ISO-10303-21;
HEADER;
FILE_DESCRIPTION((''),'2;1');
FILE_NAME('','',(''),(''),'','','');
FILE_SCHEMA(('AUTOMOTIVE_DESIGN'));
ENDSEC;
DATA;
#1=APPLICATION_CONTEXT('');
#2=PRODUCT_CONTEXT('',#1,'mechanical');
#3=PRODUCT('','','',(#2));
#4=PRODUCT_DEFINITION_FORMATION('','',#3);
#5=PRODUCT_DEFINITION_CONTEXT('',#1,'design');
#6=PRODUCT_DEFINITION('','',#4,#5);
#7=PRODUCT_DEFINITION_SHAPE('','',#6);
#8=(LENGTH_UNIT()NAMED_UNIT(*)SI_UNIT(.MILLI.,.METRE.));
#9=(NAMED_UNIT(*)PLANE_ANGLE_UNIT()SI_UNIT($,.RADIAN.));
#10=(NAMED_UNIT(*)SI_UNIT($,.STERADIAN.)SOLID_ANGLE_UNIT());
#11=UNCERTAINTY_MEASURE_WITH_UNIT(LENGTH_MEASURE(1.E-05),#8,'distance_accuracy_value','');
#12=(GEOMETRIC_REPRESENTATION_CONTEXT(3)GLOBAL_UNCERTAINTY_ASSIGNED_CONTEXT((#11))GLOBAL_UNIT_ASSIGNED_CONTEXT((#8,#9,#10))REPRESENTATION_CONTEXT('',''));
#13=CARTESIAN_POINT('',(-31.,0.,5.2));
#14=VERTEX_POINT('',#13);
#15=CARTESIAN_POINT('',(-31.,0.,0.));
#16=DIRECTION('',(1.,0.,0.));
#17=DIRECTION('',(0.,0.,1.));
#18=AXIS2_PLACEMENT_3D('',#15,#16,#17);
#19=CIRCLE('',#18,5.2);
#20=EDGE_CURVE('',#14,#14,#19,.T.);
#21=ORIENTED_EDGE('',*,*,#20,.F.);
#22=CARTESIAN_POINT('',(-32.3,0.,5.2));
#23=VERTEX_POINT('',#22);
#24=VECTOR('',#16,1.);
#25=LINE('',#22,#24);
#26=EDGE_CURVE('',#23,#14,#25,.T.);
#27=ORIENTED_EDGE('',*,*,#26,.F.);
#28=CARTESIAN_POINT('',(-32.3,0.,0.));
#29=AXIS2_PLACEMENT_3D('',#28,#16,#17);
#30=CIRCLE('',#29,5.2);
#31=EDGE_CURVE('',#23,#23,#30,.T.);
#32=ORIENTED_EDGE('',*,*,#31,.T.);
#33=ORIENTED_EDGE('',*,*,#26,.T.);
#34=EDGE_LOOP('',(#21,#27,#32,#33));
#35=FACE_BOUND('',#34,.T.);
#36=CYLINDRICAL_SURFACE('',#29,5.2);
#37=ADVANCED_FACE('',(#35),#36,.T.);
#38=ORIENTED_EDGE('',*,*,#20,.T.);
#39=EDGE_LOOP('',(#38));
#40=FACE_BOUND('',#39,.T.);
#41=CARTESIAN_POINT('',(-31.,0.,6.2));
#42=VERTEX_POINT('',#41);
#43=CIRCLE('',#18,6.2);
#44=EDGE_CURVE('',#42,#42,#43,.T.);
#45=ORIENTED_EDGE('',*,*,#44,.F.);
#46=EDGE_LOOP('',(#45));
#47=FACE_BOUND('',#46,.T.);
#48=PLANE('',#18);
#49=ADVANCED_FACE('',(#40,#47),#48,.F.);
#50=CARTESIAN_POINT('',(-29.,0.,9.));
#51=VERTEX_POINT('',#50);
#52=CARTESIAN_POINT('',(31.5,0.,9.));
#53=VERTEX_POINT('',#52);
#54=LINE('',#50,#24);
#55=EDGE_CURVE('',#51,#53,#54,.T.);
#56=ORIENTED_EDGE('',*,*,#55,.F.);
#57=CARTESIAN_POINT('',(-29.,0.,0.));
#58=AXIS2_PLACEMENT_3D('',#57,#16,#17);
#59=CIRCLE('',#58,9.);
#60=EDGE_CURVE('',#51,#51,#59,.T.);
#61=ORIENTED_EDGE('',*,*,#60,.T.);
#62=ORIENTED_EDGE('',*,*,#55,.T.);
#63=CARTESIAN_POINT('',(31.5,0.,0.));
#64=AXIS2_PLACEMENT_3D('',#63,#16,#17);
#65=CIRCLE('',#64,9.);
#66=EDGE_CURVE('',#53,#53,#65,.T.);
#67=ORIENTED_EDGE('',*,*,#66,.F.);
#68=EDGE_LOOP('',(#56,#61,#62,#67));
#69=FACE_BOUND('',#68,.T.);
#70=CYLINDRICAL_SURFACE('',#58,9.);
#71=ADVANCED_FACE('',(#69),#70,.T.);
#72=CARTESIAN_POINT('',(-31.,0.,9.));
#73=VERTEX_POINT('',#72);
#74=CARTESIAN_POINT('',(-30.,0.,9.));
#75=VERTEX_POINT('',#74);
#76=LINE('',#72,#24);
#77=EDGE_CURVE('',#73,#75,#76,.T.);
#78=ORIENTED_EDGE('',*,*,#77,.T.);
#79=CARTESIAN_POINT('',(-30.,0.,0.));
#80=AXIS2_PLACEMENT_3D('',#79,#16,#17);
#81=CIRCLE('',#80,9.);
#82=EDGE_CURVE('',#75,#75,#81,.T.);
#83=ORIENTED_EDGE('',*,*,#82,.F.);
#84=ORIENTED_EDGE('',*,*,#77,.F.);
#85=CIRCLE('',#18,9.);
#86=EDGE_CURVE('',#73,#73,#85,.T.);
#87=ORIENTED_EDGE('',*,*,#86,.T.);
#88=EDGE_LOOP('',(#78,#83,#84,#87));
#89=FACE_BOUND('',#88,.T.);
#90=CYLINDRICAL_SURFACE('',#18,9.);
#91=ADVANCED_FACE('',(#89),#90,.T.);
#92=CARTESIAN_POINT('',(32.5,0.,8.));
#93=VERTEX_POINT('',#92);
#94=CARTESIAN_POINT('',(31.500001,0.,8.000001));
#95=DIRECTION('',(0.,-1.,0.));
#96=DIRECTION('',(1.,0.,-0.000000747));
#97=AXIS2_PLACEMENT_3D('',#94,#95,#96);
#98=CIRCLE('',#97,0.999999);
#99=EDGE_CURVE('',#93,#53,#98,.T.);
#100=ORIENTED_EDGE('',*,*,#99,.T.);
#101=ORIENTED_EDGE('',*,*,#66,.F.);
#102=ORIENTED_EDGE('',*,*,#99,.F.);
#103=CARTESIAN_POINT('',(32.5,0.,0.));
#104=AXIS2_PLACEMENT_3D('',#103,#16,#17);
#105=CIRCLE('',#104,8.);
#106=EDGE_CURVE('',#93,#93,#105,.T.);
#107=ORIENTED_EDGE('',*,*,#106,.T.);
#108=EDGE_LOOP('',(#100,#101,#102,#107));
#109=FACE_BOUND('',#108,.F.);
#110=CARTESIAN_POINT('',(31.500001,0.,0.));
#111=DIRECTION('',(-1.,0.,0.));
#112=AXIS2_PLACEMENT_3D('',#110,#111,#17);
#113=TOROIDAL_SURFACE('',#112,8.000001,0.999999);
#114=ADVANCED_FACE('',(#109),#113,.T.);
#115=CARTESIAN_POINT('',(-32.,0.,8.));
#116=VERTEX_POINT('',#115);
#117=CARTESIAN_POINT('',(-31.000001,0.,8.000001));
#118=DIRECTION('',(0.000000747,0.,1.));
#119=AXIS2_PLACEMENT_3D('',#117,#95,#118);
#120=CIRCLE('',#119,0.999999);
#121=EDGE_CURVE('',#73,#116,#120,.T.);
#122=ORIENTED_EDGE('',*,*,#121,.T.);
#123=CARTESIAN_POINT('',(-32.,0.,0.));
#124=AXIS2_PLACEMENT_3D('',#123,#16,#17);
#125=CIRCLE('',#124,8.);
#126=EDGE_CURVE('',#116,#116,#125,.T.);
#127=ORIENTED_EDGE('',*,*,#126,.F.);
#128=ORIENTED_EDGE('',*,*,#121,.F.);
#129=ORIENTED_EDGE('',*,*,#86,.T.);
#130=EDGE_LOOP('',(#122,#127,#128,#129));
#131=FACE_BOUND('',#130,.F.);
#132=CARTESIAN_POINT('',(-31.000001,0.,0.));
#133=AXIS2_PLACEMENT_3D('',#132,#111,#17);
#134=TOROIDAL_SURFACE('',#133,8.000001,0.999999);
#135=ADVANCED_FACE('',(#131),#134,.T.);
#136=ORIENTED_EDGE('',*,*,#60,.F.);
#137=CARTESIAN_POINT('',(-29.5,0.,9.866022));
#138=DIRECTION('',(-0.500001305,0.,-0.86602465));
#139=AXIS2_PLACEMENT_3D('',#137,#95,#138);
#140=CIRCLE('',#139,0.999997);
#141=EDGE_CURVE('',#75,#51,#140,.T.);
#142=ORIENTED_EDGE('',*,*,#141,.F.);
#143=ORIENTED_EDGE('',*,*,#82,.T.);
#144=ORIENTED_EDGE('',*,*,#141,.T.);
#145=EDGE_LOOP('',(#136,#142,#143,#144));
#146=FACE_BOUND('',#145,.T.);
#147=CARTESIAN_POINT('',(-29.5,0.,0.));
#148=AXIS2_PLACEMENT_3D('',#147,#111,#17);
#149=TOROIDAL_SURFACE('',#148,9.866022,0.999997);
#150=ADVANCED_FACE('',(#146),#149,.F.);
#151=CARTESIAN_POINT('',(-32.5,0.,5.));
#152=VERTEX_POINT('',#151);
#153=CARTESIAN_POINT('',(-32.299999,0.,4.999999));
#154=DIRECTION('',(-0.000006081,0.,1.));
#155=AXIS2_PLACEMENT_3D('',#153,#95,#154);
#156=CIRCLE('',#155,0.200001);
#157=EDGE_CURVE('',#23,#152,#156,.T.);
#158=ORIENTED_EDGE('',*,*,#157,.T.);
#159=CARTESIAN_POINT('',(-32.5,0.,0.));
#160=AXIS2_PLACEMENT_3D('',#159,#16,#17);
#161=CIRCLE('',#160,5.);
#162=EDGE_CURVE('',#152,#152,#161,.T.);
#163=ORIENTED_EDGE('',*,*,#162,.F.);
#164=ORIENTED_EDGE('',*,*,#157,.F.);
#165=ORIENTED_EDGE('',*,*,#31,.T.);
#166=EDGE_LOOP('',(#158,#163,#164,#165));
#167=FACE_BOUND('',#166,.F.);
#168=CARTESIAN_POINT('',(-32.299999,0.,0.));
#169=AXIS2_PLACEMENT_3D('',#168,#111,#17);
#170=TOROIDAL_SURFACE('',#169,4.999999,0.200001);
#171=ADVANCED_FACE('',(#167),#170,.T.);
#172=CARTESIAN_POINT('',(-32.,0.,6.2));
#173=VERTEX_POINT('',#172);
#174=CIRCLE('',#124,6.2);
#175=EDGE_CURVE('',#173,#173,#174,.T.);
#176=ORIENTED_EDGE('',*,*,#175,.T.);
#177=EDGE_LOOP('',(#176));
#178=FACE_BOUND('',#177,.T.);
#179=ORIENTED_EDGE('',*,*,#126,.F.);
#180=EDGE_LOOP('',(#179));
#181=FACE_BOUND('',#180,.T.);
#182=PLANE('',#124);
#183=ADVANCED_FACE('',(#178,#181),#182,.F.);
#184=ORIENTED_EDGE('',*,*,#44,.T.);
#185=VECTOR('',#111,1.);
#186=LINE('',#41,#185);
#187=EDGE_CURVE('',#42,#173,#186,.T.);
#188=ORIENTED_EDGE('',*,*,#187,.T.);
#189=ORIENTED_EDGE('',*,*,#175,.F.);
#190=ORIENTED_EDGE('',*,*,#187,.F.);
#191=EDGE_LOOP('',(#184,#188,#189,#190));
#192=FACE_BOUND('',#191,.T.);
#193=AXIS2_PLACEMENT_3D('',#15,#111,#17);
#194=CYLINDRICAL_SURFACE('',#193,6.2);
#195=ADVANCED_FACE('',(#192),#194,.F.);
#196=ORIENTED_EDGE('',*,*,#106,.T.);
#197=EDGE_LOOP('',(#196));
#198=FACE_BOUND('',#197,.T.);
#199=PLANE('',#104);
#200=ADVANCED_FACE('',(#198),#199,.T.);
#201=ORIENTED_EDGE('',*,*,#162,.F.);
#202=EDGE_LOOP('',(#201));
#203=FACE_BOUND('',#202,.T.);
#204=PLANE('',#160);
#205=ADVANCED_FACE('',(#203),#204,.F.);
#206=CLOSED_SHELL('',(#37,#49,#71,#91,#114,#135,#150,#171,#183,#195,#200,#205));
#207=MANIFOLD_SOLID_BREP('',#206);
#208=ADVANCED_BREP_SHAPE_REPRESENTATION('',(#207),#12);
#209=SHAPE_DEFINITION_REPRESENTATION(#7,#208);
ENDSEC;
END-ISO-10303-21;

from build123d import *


with BuildPart() as part:
    # Sketch → Revolution (revolve)
    with BuildSketch(Plane.XZ):
        with BuildLine():
            Line((-32.5, 0), (-32.5, 5))
            ThreePointArc((-32.3, 5.2), (-32.441421, 5.141421), (-32.5, 5))
            Line((-32.3, 5.2), (-31, 5.2))
            Line((-31, 5.2), (-31, 6.2))
            Line((-31, 6.2), (-32, 6.2))
            Line((-32, 6.2), (-32, 8))
            ThreePointArc((-31, 9), (-31.707107, 8.707107), (-32, 8))
            Line((-31, 9), (-30, 9))
            ThreePointArc((-30, 9), (-29.5, 8.866025), (-29, 9))
            Line((-29, 9), (31.5, 9))
            ThreePointArc((32.5, 8), (32.207107, 8.707107), (31.5, 9))
            Line((32.5, 8), (32.5, 0))
            Line((32.5, 0), (-32.5, 0))
        make_face()
    revolve(axis=Axis((0, 0, 0), (1, 0, 0)))


solid = part.part
